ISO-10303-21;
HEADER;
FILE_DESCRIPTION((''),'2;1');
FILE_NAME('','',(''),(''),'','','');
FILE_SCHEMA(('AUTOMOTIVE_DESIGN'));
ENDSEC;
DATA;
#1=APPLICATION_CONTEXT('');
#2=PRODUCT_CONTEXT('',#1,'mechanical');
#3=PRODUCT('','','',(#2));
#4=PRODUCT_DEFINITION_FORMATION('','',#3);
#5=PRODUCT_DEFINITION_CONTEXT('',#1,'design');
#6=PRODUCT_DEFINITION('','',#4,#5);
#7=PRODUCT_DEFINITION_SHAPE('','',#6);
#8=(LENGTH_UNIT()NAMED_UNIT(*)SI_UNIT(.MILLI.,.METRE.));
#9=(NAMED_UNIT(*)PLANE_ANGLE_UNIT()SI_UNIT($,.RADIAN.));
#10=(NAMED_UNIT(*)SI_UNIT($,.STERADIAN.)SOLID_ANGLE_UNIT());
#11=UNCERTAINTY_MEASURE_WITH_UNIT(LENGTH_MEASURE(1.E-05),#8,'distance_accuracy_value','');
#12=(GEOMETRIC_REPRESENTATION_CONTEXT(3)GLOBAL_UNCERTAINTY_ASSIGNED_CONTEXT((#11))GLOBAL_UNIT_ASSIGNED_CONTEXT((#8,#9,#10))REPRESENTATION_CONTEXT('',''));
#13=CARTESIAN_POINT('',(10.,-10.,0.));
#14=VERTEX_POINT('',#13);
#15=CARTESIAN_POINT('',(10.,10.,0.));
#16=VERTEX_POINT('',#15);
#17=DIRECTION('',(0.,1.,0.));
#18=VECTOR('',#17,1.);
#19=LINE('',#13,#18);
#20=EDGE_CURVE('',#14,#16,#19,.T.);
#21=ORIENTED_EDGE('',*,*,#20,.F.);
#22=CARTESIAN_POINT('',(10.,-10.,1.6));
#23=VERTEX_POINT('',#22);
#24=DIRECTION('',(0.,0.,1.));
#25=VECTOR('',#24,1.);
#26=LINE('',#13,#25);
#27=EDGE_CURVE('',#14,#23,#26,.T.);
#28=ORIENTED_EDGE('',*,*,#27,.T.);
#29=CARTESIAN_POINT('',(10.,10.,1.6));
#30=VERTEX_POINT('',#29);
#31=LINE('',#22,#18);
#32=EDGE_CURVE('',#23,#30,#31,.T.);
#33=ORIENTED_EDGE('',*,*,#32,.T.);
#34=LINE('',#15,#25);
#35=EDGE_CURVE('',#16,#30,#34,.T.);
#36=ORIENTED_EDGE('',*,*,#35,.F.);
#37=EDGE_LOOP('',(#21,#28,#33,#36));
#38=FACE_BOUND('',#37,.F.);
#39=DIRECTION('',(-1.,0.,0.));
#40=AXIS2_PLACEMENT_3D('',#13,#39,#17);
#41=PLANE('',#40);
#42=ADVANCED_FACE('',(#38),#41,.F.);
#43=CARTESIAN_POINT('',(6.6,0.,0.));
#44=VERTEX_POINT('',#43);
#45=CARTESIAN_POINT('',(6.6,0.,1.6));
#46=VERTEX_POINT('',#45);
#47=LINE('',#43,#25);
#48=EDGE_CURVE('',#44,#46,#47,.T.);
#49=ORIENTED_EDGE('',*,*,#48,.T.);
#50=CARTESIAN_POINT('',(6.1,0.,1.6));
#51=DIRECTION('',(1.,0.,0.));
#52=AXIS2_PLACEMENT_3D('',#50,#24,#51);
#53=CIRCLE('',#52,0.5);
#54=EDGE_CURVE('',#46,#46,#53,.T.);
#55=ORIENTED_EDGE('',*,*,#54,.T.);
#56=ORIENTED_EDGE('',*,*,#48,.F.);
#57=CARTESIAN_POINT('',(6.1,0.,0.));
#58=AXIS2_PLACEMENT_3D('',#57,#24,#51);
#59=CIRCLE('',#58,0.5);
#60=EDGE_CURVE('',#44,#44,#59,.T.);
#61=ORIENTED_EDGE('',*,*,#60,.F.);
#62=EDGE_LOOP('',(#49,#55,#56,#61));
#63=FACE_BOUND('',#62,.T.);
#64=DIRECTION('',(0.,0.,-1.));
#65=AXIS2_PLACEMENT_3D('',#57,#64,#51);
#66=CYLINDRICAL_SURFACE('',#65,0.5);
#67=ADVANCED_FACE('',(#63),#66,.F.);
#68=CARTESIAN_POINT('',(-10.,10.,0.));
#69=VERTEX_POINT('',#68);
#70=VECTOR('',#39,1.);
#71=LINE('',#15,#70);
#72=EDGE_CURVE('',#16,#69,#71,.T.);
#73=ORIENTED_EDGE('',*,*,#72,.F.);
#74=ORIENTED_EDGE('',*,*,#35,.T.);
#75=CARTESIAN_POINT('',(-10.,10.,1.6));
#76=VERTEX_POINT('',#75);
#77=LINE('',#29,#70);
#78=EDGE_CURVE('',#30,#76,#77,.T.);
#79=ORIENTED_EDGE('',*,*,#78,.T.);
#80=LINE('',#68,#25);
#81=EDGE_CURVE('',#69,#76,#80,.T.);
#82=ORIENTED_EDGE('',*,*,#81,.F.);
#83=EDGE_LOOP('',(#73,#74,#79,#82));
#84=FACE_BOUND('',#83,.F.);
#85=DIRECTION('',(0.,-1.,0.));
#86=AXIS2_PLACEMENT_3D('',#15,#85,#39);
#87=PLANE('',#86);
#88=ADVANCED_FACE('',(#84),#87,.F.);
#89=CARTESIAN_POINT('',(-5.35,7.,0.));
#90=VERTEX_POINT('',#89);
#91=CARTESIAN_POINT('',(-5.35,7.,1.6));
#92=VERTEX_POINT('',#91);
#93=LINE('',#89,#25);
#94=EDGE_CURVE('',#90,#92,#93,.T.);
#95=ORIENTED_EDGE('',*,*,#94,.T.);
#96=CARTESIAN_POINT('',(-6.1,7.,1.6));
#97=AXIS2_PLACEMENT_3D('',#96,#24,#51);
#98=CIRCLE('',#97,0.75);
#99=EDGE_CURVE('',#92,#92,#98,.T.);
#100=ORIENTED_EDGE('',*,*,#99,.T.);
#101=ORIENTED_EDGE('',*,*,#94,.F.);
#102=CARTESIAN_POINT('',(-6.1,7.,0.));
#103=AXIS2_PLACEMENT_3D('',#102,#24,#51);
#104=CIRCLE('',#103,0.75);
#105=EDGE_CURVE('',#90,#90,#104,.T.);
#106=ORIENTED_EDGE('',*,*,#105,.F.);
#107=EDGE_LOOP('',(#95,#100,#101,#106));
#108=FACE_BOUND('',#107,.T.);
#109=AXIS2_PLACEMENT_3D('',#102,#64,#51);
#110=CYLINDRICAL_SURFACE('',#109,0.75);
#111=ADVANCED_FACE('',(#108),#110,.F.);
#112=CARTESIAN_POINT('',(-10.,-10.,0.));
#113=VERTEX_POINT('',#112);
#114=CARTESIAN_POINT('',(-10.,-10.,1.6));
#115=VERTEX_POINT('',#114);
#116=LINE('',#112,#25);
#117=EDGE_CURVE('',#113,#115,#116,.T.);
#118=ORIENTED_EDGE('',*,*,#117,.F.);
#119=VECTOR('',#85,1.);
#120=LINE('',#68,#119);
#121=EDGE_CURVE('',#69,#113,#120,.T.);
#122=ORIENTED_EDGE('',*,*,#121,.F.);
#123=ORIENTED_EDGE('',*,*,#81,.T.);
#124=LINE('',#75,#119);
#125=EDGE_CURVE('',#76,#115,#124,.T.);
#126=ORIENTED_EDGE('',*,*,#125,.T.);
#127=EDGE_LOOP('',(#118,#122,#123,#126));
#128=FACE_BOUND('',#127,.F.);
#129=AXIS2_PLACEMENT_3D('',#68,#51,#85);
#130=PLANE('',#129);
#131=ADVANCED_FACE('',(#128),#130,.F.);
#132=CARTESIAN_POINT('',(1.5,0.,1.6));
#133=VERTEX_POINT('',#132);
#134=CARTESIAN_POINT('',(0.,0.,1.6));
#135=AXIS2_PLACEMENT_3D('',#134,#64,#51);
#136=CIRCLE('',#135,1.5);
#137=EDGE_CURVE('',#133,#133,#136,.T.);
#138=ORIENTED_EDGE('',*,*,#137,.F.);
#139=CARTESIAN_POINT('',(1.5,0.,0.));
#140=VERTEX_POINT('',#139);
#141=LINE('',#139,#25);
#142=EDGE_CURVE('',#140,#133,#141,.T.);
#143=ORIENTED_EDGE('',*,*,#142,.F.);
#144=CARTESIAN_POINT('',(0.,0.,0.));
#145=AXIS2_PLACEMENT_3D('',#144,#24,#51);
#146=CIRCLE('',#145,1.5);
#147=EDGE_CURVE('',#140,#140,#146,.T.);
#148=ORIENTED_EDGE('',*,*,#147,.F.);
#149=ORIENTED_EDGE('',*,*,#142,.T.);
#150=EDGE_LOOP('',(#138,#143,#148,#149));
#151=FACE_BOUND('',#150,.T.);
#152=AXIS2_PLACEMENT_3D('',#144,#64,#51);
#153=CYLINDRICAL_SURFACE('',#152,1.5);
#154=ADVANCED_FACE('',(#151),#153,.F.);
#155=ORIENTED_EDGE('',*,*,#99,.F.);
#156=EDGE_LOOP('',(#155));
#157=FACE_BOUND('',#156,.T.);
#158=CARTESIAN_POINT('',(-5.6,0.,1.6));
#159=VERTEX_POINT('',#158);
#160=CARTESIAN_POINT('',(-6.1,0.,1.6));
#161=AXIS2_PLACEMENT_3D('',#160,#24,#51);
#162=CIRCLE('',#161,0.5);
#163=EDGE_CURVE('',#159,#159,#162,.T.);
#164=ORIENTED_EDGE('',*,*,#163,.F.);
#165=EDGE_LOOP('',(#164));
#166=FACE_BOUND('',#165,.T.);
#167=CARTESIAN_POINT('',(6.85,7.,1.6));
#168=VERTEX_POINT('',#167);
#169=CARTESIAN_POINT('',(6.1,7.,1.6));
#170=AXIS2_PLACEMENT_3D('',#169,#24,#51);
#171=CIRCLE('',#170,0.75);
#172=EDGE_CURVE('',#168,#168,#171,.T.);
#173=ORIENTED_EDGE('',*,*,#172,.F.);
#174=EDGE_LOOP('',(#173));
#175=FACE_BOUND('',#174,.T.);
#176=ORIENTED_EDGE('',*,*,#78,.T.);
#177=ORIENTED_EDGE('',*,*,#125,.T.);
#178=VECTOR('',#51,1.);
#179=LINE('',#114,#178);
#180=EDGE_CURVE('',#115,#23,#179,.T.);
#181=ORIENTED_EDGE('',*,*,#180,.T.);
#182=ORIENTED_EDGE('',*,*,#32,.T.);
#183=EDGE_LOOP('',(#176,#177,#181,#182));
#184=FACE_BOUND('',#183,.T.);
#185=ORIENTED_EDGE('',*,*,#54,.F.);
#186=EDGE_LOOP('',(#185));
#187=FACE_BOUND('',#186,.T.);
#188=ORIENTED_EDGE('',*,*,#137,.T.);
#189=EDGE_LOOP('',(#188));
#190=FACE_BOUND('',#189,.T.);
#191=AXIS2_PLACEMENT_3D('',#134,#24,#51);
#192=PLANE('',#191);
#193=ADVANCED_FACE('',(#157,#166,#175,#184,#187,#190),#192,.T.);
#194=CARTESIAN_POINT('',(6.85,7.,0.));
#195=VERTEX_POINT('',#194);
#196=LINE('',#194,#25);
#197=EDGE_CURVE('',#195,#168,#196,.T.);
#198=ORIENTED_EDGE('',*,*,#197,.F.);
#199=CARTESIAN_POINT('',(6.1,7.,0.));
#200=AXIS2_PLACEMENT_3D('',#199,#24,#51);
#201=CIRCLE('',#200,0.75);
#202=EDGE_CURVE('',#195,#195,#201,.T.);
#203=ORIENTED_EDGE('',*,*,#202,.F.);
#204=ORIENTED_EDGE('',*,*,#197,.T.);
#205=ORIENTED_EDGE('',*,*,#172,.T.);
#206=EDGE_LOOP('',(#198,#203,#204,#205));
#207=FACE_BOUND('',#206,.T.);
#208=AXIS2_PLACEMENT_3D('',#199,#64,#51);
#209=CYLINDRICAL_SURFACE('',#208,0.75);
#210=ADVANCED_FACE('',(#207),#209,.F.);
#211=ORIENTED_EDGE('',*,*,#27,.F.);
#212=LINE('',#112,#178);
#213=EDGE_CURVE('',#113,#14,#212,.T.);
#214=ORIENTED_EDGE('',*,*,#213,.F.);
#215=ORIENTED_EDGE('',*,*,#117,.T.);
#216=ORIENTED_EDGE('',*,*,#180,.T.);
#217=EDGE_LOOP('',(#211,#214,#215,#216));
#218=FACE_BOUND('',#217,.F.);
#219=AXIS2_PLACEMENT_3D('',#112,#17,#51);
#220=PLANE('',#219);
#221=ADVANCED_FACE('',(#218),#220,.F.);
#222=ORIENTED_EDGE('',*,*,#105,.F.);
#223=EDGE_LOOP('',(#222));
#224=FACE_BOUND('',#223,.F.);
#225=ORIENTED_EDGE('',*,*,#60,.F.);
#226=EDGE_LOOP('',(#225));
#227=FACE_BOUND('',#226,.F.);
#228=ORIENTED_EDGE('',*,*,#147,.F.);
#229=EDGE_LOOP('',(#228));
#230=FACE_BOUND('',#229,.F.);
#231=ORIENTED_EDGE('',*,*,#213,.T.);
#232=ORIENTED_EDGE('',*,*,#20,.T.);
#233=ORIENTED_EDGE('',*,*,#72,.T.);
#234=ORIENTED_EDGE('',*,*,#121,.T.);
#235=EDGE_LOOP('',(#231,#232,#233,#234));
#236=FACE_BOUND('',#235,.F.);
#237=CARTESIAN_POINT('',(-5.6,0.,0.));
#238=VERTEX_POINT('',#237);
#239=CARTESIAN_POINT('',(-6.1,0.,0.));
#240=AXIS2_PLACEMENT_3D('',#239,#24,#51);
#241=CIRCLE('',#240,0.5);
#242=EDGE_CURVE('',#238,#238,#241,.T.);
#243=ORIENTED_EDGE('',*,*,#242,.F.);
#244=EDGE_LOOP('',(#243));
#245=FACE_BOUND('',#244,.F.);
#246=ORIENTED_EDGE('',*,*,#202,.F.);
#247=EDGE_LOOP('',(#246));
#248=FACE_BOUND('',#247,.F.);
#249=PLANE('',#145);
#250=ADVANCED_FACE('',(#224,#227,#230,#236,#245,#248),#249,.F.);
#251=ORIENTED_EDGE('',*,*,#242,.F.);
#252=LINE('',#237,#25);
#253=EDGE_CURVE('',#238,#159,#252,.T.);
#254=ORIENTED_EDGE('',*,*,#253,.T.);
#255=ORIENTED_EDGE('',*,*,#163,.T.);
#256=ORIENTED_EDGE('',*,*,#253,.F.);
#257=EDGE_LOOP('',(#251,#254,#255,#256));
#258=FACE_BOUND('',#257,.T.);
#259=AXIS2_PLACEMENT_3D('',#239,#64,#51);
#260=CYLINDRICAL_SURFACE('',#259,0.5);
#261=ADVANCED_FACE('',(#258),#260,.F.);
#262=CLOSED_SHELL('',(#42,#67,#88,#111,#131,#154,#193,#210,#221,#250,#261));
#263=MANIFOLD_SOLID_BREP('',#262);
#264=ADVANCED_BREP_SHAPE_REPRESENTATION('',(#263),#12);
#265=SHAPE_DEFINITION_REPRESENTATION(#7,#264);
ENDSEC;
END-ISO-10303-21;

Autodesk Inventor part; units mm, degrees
sketch "スケッチ1" plane through (0, 0, 0) normal (0, 0, 1) x (1, 0, 0)
  line L0 (-10, -10) -> (10, -10)
  line L1 (10, -10) -> (10, 10)
  line L2 (10, 10) -> (-10, 10)
  line L3 (-10, 10) -> (-10, -10)
  line L4 (-10, -10) -> (10, 10) construction
  line L5 (10, -10) -> (-10, 10) construction
  point P0 (0, 0)
  dimension "d0" = 20
  dimension "d1" = 20
extrude "押し出し1" add sketch "スケッチ1" along normal blind 1.6
sketch "スケッチ2" plane through (0, 0, 0) normal (0, 0, 1) x (1, 0, 0)
  circle A0 centre (-6.1, 7) radius 0.75
  circle A1 centre (6.1, 7) radius 0.75
  point P0 (0, 0)
  dimension "d9" = 1.5
  dimension "d10" = 7
  dimension "d11" = 6.1
  dimension "d14" = 1.5
  dimension "d15" = 12.2
extrude "押し出し2" cut sketch "スケッチ2" along normal blind 1.6
sketch "スケッチ3" plane through (0, 0, 0) normal (0, 0, 1) x (1, 0, 0)
  circle A0 centre (-6.1, 0) radius 0.5
  circle A1 centre (6.1, 0) radius 0.5
  point P0 (0, 0)
  dimension "d16" = 1
  dimension "d17" = 6.1
  dimension "d18" = 1
  dimension "d19" = 6.1
extrude "押し出し3" cut sketch "スケッチ3" along normal blind 1.6
sketch "スケッチ4" plane through (0, 0, 0) normal (0, 0, 1) x (1, 0, 0)
  circle A0 centre (0, 0) radius 1.5
  dimension "d22" = 3
extrude "押し出し4" cut sketch "スケッチ4" along normal blind 3
equation "\"d23\" = d22"
properties part number "HbBatteryPcb02" material "ABS プラスチック"
